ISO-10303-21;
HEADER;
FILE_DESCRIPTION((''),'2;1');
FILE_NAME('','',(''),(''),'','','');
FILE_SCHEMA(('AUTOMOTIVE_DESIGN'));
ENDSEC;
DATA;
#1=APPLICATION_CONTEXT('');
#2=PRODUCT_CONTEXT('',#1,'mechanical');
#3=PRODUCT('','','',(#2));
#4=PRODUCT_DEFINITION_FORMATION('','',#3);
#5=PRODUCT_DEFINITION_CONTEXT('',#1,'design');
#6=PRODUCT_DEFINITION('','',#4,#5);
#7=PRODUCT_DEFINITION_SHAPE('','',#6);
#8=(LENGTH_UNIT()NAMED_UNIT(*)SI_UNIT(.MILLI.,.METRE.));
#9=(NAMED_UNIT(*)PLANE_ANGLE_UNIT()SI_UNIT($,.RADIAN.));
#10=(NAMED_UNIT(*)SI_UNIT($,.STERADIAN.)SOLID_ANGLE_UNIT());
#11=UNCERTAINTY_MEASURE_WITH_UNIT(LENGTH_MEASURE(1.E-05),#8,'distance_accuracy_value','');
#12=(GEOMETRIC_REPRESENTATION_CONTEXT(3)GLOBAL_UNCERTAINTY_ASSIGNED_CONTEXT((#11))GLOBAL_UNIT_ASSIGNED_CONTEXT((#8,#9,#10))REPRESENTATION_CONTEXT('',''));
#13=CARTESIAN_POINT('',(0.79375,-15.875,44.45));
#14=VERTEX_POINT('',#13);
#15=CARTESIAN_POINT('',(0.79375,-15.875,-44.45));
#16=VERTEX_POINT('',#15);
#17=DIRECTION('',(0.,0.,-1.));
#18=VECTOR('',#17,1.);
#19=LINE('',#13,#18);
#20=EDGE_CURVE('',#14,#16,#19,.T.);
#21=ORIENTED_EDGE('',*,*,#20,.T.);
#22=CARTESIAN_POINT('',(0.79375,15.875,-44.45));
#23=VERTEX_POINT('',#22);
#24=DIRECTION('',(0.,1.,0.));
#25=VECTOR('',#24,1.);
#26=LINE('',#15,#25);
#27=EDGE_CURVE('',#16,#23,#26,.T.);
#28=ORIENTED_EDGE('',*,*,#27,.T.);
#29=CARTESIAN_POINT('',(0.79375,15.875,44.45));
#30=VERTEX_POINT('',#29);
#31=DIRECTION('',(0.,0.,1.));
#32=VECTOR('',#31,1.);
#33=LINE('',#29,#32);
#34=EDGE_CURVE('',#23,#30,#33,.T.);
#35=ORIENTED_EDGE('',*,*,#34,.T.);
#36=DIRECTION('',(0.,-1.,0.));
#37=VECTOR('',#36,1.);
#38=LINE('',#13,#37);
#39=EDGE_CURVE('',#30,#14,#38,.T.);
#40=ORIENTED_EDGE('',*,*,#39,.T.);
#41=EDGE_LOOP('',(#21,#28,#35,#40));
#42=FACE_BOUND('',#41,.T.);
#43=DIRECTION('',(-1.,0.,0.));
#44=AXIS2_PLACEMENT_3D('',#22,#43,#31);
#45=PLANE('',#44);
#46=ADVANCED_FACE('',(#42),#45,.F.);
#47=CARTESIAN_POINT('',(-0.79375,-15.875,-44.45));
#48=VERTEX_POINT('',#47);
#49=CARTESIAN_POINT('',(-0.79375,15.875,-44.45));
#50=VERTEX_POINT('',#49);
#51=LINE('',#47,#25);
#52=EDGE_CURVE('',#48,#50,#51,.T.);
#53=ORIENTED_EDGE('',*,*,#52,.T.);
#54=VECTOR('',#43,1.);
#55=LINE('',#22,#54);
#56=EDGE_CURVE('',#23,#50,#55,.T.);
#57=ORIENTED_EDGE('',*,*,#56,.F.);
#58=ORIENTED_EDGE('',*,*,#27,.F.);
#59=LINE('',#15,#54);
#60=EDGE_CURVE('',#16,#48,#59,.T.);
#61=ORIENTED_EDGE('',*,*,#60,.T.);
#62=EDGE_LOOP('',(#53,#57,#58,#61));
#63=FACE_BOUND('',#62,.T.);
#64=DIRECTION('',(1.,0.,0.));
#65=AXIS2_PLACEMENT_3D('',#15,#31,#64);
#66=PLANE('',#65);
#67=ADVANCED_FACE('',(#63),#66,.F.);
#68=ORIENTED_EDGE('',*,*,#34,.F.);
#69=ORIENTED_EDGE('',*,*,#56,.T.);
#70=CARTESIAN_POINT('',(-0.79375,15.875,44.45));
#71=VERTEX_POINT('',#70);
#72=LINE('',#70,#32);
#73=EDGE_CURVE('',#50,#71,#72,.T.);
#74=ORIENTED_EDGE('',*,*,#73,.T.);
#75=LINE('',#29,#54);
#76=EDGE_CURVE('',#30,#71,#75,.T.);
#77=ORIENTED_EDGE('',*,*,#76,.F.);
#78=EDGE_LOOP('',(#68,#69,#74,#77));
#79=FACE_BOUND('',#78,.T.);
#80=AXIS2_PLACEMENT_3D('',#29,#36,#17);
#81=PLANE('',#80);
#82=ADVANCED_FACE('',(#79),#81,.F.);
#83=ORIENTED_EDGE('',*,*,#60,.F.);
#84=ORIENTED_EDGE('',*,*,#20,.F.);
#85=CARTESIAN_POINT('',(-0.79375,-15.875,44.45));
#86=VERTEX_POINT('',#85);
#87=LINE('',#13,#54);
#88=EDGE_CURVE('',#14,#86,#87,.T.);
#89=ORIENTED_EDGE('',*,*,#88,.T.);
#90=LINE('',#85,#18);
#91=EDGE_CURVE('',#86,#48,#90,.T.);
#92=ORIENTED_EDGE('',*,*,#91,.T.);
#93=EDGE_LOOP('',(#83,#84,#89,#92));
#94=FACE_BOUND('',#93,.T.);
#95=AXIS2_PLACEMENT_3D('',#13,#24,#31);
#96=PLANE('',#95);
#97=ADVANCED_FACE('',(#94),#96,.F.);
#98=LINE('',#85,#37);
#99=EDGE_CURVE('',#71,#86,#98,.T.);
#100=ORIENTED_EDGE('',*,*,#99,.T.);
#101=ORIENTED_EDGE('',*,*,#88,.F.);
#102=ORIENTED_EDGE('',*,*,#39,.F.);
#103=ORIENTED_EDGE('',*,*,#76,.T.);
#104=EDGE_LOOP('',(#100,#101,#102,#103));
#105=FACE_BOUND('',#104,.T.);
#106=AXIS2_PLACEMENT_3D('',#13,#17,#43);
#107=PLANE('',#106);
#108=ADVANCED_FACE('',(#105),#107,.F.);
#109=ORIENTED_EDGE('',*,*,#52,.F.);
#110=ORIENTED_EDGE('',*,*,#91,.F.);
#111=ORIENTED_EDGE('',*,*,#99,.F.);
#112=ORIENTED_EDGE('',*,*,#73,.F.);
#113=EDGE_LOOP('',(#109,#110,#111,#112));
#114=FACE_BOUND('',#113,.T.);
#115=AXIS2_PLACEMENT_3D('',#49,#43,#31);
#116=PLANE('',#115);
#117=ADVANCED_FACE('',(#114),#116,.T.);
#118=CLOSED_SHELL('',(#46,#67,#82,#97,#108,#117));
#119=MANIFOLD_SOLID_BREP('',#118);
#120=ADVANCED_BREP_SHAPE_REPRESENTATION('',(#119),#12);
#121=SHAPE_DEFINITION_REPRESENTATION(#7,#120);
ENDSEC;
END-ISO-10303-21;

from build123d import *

# Parameters (mm, degrees)
SKETCH1_W           = 88.9
SKETCH1_H           = 31.75
BOSS_EXTRUDE1_DEPTH = 0.79375


with BuildPart() as part:
    # Sketch1 → Boss-Extrude1 (new body, symmetric)
    with BuildSketch(Plane(origin=(0, 0, 0), x_dir=(0, 0, -1), z_dir=(1, 0, 0))):
        Rectangle(SKETCH1_W, SKETCH1_H)
    extrude(amount=BOSS_EXTRUDE1_DEPTH, both=True)


solid = part.part
